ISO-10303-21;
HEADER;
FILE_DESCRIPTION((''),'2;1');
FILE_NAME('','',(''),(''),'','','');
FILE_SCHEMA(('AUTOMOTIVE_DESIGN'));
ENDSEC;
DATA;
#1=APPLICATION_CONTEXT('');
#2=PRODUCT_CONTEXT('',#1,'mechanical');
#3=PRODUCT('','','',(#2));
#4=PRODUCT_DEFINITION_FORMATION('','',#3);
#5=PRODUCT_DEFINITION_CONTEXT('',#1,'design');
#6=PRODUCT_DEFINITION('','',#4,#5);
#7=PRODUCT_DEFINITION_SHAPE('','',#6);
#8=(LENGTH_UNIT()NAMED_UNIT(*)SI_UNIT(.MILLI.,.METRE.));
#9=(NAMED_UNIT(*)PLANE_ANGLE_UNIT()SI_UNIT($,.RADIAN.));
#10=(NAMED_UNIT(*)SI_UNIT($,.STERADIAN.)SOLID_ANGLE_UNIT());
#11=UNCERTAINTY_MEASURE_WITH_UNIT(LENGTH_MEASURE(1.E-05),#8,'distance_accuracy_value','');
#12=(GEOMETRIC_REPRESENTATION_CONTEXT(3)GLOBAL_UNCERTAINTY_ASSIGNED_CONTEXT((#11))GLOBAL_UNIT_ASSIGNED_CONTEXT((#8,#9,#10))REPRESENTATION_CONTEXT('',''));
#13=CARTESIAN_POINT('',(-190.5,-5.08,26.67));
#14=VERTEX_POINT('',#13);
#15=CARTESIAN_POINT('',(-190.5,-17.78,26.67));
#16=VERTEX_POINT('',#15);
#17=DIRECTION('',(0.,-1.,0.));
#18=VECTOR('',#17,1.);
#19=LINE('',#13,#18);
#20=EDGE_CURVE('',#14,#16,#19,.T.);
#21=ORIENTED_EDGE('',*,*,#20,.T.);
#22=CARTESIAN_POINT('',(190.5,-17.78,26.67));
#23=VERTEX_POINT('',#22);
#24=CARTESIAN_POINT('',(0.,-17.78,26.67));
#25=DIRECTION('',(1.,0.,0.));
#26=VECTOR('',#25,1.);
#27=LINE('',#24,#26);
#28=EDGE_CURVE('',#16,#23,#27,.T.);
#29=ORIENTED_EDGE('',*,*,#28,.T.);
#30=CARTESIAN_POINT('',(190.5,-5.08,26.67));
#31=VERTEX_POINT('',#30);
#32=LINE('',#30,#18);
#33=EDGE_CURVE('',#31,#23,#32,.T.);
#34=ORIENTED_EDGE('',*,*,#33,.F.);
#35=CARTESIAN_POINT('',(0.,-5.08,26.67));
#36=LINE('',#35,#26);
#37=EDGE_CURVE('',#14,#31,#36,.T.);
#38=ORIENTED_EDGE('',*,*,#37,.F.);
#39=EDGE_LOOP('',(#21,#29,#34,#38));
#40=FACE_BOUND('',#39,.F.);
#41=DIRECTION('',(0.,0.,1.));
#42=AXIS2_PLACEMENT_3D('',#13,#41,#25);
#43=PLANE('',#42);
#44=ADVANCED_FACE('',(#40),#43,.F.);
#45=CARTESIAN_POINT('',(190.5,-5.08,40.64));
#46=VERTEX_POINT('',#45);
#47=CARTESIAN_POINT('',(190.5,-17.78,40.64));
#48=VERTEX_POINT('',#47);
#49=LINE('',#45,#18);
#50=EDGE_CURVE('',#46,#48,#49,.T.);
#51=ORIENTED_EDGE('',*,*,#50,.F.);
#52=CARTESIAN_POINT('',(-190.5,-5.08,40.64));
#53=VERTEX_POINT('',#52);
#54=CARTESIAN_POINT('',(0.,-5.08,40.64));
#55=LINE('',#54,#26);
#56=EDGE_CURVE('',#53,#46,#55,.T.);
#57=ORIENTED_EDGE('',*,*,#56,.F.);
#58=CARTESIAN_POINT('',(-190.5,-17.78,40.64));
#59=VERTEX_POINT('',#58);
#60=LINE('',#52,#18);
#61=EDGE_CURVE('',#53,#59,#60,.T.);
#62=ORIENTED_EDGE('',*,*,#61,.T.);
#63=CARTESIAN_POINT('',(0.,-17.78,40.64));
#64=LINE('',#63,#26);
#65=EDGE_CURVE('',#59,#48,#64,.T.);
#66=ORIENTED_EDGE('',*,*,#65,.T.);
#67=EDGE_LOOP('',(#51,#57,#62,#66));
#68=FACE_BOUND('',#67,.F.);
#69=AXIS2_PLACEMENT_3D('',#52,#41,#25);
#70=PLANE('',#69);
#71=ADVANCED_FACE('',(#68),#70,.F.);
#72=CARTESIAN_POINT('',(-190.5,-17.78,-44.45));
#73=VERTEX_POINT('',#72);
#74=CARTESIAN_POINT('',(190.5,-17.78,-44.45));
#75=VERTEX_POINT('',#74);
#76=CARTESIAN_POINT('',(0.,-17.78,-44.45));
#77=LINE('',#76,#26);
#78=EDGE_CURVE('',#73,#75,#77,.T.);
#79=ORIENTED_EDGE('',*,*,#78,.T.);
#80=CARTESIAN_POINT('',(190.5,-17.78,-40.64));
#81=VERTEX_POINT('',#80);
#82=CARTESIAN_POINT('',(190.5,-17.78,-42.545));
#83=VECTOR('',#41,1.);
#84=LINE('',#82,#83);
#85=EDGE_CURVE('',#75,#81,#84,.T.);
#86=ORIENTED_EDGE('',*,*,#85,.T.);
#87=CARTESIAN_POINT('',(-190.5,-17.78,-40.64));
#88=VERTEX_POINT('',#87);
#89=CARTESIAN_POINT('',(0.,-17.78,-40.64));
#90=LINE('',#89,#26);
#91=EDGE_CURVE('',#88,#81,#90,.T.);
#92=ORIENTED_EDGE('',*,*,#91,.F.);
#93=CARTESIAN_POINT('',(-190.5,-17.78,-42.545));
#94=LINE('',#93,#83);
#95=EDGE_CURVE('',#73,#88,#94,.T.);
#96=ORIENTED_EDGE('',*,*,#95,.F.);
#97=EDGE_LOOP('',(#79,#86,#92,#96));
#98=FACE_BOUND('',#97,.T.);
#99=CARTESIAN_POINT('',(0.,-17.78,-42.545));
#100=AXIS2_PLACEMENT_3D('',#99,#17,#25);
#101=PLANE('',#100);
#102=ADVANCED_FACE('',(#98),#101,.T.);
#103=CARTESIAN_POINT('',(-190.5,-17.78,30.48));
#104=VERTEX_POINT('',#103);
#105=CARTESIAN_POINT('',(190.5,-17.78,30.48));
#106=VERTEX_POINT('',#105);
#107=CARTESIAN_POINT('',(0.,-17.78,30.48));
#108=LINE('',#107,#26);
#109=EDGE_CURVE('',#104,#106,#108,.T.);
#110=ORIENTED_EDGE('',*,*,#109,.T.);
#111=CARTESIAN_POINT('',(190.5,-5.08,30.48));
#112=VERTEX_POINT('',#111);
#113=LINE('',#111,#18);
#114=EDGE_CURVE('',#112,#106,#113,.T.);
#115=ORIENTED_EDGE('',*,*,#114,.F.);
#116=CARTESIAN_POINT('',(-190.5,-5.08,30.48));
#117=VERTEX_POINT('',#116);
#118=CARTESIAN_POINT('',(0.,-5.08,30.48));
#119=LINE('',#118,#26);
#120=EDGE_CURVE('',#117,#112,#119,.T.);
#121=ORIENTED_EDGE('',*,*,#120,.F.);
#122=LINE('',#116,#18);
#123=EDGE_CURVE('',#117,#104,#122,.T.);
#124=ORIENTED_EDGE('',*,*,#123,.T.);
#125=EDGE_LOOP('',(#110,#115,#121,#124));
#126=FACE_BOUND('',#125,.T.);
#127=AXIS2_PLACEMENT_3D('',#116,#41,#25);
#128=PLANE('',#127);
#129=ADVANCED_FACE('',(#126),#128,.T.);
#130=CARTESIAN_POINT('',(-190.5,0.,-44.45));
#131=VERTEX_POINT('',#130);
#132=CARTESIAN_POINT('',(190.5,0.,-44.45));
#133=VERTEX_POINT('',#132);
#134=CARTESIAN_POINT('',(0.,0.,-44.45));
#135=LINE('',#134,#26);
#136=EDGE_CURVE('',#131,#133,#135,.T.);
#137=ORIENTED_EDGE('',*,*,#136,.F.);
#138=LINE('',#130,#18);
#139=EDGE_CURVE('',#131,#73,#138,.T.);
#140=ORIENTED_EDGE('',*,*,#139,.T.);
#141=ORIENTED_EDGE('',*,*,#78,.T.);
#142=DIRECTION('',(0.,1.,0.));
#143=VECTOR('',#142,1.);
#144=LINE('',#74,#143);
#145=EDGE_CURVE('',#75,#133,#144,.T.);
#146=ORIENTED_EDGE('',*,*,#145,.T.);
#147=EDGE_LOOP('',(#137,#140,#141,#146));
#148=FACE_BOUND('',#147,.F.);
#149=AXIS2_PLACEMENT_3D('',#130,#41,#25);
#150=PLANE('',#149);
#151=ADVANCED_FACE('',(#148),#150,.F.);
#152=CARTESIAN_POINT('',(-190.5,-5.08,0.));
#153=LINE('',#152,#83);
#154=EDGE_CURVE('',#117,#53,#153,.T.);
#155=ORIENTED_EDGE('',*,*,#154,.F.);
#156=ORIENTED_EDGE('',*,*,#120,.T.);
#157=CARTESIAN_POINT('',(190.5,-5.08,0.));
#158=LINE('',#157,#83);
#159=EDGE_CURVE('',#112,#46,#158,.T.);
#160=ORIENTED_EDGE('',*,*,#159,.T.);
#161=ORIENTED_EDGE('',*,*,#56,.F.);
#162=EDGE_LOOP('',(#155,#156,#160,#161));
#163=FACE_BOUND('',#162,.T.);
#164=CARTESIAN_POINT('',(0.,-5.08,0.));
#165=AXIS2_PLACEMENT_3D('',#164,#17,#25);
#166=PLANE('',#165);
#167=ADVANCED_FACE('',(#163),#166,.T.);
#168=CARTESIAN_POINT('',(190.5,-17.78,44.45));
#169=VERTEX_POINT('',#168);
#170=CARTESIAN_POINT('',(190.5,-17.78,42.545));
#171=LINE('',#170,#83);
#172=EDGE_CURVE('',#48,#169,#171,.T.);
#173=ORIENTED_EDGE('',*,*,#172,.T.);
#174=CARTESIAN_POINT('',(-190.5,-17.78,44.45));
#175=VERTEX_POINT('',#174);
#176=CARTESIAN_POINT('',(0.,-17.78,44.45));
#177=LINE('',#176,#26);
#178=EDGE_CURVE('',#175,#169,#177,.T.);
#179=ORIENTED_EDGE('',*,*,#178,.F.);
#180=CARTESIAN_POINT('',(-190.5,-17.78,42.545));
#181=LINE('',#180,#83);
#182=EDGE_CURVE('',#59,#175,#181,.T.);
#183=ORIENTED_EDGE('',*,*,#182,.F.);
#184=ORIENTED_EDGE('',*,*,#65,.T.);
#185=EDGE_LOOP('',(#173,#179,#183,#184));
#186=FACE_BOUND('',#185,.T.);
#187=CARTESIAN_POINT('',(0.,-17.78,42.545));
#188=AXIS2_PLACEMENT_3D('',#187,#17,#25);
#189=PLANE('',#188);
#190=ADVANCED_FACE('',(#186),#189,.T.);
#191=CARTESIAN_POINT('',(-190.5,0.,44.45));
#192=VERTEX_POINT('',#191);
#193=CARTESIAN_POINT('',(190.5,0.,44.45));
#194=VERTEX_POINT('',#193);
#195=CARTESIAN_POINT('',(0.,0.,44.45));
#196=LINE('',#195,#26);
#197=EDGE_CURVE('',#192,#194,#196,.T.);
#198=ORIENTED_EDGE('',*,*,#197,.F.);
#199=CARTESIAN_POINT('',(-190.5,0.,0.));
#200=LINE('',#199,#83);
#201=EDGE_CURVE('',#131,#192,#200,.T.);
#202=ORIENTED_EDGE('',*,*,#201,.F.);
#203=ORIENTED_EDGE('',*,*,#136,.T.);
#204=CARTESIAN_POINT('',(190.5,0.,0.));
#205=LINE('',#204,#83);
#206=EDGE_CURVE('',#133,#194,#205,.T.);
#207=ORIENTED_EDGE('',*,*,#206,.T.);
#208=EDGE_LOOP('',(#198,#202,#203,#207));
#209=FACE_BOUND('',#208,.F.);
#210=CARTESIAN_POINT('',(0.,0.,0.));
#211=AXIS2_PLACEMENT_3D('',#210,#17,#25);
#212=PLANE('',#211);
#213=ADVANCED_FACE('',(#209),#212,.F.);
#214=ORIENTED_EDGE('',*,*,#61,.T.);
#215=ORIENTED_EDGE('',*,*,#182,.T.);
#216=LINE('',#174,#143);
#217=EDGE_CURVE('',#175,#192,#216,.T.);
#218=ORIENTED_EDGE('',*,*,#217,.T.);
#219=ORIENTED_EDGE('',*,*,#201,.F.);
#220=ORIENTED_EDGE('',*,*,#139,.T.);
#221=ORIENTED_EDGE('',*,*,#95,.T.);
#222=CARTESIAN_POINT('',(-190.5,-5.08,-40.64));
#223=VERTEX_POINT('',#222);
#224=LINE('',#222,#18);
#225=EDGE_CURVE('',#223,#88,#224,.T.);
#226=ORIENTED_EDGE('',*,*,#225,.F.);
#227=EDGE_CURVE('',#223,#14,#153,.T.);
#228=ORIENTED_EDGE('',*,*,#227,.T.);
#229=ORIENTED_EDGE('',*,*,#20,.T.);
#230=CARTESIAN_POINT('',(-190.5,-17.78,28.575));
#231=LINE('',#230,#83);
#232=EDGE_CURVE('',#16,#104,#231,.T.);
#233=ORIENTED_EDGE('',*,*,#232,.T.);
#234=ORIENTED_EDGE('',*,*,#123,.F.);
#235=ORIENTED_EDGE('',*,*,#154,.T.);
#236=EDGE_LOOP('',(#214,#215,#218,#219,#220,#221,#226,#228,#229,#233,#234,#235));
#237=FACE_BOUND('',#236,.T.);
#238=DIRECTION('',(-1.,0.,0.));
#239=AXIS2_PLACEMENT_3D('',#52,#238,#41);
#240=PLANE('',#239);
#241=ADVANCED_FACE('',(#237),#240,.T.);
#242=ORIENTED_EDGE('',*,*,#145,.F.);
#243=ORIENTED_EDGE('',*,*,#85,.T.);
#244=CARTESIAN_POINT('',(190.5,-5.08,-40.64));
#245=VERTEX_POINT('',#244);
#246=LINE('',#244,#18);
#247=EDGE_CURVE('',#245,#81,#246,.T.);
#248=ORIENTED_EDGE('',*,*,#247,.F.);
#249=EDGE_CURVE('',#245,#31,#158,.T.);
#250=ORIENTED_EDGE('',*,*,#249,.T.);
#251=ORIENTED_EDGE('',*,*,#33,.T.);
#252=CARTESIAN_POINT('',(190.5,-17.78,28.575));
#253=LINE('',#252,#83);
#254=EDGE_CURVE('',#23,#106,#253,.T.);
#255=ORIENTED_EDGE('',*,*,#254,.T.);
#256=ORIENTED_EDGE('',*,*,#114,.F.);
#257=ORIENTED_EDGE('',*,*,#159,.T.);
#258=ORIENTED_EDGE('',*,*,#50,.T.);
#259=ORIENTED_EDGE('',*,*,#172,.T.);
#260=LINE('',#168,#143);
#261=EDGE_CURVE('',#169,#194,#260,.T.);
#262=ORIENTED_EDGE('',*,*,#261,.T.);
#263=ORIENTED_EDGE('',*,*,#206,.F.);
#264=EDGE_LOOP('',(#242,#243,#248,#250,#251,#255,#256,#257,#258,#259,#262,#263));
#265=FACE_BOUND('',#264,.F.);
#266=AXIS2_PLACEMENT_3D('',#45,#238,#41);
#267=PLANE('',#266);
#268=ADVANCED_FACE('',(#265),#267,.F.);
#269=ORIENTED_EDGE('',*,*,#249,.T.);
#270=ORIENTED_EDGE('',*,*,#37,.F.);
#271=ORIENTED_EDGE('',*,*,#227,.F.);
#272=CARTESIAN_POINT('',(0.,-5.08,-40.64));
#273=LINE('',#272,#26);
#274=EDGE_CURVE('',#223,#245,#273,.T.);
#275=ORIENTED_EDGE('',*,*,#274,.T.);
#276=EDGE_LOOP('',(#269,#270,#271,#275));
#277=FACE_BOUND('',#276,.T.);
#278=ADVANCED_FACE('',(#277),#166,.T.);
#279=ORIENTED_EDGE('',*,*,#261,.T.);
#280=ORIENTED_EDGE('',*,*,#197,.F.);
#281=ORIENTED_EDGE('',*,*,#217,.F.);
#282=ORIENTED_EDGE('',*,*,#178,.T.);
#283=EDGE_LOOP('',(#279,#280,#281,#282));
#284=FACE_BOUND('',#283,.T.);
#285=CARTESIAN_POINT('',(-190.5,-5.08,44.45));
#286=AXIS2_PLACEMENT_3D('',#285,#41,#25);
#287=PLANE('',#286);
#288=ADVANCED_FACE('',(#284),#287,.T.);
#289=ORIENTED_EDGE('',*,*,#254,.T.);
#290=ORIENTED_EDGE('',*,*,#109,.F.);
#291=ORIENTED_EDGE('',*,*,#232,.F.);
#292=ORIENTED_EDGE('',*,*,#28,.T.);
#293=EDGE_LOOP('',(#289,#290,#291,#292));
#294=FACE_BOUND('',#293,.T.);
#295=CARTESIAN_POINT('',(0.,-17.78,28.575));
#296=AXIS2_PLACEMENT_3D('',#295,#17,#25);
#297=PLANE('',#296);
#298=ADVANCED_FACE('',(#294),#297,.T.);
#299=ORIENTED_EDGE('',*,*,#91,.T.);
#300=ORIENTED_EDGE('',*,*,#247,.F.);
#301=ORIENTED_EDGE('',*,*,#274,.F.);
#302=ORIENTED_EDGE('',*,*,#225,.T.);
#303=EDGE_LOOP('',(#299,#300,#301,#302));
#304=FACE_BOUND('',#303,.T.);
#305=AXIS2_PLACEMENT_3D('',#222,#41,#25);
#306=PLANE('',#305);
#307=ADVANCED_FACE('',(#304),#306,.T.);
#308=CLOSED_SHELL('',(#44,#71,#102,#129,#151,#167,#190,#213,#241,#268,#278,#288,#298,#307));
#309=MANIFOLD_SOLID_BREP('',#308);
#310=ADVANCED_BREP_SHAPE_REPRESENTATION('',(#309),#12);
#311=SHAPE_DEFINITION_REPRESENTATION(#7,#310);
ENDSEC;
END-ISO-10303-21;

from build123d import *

# Parameters (mm, degrees)
F0_W     = 381
F0_H     = 88.9
F1_DEPTH = 5.08
F2_W     = 381
F2_H     = 3.81
F3_DEPTH = 12.7
F4_W     = 381
F4_H     = 3.81
F5_DEPTH = 12.7


with BuildPart() as f1:
    # F0 (on Front) → F1 (new body)
    with BuildSketch(Plane.XZ):
        Rectangle(F0_W, F0_H)
    extrude(amount=F1_DEPTH)

    # F2 (on face) → F3 (join)
    with BuildSketch(Plane.XZ.offset(5.08)):
        with Locations((0, 42.545)):
            Rectangle(F2_W, F2_H)
        with Locations((0, -42.545)):
            Rectangle(F2_W, F2_H)
    extrude(amount=F3_DEPTH)

    # F4 (on face) → F5 (join)
    with BuildSketch(Plane.XZ.offset(5.08)):
        with Locations((0, 28.575)):
            Rectangle(F4_W, F4_H)
    extrude(amount=F5_DEPTH)


solid = f1.part
